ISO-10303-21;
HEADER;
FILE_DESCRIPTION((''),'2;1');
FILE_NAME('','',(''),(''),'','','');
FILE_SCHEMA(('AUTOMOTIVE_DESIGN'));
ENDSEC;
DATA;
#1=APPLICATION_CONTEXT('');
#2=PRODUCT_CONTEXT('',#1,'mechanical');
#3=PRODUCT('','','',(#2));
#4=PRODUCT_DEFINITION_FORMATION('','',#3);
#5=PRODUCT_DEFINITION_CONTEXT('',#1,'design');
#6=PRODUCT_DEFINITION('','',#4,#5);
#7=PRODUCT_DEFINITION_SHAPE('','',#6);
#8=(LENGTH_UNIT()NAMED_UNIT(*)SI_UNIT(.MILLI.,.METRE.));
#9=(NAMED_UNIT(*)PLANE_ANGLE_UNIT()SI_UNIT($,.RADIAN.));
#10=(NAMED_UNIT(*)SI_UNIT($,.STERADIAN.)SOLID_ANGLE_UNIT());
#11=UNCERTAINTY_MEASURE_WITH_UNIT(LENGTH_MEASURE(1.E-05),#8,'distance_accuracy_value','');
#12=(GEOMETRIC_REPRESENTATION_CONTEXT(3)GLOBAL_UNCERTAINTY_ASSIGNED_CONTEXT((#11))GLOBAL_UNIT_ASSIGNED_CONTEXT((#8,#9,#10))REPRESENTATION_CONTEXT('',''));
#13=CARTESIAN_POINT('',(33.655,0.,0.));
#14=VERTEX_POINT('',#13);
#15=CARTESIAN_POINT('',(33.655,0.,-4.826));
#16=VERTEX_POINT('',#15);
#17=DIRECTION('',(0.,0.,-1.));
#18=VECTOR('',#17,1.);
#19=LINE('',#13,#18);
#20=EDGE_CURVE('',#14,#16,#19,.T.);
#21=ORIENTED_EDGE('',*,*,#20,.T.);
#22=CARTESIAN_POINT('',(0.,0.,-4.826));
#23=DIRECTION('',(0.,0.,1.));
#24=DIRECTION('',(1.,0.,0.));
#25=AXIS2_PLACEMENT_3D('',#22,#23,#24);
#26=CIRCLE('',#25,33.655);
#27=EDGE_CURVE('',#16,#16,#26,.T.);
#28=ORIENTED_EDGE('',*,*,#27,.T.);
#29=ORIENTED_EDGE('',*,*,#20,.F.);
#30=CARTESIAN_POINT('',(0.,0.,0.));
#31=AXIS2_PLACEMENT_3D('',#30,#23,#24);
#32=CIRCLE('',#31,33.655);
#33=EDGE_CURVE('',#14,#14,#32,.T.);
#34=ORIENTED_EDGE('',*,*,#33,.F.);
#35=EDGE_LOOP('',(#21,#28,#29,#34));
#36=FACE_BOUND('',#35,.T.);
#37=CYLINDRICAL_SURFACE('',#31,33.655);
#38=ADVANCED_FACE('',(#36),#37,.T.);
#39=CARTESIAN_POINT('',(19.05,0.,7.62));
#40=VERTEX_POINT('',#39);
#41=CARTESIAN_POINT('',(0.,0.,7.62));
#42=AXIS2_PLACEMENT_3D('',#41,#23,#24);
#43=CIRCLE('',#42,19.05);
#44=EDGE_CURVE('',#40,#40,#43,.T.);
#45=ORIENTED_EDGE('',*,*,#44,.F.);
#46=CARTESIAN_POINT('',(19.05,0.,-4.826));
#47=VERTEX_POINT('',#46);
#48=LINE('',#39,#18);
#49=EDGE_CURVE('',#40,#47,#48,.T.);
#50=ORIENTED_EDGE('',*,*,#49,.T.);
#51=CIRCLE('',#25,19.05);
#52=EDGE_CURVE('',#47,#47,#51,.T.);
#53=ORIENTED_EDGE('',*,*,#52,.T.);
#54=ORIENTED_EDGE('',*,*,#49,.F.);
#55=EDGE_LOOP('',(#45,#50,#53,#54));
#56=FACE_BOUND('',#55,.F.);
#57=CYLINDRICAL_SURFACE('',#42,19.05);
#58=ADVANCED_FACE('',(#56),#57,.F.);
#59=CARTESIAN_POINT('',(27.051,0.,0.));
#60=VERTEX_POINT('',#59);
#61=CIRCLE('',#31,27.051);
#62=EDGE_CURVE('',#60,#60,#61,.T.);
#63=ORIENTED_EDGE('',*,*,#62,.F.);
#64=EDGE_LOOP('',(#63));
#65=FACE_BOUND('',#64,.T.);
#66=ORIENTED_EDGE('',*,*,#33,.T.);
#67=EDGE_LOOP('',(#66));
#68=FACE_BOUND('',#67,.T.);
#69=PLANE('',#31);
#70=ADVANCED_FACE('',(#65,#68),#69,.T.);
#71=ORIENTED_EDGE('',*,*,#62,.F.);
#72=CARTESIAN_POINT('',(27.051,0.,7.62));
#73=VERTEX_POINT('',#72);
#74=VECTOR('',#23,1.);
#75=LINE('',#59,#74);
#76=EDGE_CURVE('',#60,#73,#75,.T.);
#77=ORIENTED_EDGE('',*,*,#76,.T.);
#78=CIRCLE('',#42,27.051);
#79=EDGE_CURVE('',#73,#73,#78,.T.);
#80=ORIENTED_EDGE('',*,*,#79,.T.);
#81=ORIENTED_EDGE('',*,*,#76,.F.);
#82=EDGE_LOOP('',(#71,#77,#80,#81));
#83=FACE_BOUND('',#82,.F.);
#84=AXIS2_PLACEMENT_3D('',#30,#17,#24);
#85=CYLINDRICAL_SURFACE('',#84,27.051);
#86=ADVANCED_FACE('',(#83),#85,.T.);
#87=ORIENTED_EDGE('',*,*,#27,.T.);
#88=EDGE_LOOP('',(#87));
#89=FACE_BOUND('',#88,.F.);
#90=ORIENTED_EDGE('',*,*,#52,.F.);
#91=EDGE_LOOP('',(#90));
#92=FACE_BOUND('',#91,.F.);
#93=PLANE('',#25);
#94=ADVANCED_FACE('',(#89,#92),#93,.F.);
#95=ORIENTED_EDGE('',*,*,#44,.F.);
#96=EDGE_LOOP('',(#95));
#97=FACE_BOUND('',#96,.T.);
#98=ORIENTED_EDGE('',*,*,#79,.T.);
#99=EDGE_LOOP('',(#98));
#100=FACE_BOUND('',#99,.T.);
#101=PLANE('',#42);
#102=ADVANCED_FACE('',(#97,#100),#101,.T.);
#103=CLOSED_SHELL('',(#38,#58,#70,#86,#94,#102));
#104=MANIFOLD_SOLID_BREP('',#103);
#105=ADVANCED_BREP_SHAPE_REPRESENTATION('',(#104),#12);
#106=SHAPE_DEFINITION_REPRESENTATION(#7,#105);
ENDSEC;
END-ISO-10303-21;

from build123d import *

# Parameters (mm, degrees)
F0_R     = 33.655
F1_DEPTH = 4.826
F2_R     = 27.051
F3_DEPTH = 7.62
F4_R     = 19.05
F5_DEPTH = 12.447


with BuildPart() as f1:
    # F0 (on Top) → F1 (new body)
    with BuildSketch(Plane.XY):
        Circle(F0_R)
    extrude(amount=-F1_DEPTH)

    # F2 (on Top) → F3 (join)
    with BuildSketch(Plane.XY):
        Circle(F2_R)
    extrude(amount=F3_DEPTH)

    # F4 (on face) → F5 (cut, through all)
    with BuildSketch(Plane.XY.offset(7.62)):
        Circle(F4_R)
    extrude(amount=-F5_DEPTH, mode=Mode.SUBTRACT)


solid = f1.part
